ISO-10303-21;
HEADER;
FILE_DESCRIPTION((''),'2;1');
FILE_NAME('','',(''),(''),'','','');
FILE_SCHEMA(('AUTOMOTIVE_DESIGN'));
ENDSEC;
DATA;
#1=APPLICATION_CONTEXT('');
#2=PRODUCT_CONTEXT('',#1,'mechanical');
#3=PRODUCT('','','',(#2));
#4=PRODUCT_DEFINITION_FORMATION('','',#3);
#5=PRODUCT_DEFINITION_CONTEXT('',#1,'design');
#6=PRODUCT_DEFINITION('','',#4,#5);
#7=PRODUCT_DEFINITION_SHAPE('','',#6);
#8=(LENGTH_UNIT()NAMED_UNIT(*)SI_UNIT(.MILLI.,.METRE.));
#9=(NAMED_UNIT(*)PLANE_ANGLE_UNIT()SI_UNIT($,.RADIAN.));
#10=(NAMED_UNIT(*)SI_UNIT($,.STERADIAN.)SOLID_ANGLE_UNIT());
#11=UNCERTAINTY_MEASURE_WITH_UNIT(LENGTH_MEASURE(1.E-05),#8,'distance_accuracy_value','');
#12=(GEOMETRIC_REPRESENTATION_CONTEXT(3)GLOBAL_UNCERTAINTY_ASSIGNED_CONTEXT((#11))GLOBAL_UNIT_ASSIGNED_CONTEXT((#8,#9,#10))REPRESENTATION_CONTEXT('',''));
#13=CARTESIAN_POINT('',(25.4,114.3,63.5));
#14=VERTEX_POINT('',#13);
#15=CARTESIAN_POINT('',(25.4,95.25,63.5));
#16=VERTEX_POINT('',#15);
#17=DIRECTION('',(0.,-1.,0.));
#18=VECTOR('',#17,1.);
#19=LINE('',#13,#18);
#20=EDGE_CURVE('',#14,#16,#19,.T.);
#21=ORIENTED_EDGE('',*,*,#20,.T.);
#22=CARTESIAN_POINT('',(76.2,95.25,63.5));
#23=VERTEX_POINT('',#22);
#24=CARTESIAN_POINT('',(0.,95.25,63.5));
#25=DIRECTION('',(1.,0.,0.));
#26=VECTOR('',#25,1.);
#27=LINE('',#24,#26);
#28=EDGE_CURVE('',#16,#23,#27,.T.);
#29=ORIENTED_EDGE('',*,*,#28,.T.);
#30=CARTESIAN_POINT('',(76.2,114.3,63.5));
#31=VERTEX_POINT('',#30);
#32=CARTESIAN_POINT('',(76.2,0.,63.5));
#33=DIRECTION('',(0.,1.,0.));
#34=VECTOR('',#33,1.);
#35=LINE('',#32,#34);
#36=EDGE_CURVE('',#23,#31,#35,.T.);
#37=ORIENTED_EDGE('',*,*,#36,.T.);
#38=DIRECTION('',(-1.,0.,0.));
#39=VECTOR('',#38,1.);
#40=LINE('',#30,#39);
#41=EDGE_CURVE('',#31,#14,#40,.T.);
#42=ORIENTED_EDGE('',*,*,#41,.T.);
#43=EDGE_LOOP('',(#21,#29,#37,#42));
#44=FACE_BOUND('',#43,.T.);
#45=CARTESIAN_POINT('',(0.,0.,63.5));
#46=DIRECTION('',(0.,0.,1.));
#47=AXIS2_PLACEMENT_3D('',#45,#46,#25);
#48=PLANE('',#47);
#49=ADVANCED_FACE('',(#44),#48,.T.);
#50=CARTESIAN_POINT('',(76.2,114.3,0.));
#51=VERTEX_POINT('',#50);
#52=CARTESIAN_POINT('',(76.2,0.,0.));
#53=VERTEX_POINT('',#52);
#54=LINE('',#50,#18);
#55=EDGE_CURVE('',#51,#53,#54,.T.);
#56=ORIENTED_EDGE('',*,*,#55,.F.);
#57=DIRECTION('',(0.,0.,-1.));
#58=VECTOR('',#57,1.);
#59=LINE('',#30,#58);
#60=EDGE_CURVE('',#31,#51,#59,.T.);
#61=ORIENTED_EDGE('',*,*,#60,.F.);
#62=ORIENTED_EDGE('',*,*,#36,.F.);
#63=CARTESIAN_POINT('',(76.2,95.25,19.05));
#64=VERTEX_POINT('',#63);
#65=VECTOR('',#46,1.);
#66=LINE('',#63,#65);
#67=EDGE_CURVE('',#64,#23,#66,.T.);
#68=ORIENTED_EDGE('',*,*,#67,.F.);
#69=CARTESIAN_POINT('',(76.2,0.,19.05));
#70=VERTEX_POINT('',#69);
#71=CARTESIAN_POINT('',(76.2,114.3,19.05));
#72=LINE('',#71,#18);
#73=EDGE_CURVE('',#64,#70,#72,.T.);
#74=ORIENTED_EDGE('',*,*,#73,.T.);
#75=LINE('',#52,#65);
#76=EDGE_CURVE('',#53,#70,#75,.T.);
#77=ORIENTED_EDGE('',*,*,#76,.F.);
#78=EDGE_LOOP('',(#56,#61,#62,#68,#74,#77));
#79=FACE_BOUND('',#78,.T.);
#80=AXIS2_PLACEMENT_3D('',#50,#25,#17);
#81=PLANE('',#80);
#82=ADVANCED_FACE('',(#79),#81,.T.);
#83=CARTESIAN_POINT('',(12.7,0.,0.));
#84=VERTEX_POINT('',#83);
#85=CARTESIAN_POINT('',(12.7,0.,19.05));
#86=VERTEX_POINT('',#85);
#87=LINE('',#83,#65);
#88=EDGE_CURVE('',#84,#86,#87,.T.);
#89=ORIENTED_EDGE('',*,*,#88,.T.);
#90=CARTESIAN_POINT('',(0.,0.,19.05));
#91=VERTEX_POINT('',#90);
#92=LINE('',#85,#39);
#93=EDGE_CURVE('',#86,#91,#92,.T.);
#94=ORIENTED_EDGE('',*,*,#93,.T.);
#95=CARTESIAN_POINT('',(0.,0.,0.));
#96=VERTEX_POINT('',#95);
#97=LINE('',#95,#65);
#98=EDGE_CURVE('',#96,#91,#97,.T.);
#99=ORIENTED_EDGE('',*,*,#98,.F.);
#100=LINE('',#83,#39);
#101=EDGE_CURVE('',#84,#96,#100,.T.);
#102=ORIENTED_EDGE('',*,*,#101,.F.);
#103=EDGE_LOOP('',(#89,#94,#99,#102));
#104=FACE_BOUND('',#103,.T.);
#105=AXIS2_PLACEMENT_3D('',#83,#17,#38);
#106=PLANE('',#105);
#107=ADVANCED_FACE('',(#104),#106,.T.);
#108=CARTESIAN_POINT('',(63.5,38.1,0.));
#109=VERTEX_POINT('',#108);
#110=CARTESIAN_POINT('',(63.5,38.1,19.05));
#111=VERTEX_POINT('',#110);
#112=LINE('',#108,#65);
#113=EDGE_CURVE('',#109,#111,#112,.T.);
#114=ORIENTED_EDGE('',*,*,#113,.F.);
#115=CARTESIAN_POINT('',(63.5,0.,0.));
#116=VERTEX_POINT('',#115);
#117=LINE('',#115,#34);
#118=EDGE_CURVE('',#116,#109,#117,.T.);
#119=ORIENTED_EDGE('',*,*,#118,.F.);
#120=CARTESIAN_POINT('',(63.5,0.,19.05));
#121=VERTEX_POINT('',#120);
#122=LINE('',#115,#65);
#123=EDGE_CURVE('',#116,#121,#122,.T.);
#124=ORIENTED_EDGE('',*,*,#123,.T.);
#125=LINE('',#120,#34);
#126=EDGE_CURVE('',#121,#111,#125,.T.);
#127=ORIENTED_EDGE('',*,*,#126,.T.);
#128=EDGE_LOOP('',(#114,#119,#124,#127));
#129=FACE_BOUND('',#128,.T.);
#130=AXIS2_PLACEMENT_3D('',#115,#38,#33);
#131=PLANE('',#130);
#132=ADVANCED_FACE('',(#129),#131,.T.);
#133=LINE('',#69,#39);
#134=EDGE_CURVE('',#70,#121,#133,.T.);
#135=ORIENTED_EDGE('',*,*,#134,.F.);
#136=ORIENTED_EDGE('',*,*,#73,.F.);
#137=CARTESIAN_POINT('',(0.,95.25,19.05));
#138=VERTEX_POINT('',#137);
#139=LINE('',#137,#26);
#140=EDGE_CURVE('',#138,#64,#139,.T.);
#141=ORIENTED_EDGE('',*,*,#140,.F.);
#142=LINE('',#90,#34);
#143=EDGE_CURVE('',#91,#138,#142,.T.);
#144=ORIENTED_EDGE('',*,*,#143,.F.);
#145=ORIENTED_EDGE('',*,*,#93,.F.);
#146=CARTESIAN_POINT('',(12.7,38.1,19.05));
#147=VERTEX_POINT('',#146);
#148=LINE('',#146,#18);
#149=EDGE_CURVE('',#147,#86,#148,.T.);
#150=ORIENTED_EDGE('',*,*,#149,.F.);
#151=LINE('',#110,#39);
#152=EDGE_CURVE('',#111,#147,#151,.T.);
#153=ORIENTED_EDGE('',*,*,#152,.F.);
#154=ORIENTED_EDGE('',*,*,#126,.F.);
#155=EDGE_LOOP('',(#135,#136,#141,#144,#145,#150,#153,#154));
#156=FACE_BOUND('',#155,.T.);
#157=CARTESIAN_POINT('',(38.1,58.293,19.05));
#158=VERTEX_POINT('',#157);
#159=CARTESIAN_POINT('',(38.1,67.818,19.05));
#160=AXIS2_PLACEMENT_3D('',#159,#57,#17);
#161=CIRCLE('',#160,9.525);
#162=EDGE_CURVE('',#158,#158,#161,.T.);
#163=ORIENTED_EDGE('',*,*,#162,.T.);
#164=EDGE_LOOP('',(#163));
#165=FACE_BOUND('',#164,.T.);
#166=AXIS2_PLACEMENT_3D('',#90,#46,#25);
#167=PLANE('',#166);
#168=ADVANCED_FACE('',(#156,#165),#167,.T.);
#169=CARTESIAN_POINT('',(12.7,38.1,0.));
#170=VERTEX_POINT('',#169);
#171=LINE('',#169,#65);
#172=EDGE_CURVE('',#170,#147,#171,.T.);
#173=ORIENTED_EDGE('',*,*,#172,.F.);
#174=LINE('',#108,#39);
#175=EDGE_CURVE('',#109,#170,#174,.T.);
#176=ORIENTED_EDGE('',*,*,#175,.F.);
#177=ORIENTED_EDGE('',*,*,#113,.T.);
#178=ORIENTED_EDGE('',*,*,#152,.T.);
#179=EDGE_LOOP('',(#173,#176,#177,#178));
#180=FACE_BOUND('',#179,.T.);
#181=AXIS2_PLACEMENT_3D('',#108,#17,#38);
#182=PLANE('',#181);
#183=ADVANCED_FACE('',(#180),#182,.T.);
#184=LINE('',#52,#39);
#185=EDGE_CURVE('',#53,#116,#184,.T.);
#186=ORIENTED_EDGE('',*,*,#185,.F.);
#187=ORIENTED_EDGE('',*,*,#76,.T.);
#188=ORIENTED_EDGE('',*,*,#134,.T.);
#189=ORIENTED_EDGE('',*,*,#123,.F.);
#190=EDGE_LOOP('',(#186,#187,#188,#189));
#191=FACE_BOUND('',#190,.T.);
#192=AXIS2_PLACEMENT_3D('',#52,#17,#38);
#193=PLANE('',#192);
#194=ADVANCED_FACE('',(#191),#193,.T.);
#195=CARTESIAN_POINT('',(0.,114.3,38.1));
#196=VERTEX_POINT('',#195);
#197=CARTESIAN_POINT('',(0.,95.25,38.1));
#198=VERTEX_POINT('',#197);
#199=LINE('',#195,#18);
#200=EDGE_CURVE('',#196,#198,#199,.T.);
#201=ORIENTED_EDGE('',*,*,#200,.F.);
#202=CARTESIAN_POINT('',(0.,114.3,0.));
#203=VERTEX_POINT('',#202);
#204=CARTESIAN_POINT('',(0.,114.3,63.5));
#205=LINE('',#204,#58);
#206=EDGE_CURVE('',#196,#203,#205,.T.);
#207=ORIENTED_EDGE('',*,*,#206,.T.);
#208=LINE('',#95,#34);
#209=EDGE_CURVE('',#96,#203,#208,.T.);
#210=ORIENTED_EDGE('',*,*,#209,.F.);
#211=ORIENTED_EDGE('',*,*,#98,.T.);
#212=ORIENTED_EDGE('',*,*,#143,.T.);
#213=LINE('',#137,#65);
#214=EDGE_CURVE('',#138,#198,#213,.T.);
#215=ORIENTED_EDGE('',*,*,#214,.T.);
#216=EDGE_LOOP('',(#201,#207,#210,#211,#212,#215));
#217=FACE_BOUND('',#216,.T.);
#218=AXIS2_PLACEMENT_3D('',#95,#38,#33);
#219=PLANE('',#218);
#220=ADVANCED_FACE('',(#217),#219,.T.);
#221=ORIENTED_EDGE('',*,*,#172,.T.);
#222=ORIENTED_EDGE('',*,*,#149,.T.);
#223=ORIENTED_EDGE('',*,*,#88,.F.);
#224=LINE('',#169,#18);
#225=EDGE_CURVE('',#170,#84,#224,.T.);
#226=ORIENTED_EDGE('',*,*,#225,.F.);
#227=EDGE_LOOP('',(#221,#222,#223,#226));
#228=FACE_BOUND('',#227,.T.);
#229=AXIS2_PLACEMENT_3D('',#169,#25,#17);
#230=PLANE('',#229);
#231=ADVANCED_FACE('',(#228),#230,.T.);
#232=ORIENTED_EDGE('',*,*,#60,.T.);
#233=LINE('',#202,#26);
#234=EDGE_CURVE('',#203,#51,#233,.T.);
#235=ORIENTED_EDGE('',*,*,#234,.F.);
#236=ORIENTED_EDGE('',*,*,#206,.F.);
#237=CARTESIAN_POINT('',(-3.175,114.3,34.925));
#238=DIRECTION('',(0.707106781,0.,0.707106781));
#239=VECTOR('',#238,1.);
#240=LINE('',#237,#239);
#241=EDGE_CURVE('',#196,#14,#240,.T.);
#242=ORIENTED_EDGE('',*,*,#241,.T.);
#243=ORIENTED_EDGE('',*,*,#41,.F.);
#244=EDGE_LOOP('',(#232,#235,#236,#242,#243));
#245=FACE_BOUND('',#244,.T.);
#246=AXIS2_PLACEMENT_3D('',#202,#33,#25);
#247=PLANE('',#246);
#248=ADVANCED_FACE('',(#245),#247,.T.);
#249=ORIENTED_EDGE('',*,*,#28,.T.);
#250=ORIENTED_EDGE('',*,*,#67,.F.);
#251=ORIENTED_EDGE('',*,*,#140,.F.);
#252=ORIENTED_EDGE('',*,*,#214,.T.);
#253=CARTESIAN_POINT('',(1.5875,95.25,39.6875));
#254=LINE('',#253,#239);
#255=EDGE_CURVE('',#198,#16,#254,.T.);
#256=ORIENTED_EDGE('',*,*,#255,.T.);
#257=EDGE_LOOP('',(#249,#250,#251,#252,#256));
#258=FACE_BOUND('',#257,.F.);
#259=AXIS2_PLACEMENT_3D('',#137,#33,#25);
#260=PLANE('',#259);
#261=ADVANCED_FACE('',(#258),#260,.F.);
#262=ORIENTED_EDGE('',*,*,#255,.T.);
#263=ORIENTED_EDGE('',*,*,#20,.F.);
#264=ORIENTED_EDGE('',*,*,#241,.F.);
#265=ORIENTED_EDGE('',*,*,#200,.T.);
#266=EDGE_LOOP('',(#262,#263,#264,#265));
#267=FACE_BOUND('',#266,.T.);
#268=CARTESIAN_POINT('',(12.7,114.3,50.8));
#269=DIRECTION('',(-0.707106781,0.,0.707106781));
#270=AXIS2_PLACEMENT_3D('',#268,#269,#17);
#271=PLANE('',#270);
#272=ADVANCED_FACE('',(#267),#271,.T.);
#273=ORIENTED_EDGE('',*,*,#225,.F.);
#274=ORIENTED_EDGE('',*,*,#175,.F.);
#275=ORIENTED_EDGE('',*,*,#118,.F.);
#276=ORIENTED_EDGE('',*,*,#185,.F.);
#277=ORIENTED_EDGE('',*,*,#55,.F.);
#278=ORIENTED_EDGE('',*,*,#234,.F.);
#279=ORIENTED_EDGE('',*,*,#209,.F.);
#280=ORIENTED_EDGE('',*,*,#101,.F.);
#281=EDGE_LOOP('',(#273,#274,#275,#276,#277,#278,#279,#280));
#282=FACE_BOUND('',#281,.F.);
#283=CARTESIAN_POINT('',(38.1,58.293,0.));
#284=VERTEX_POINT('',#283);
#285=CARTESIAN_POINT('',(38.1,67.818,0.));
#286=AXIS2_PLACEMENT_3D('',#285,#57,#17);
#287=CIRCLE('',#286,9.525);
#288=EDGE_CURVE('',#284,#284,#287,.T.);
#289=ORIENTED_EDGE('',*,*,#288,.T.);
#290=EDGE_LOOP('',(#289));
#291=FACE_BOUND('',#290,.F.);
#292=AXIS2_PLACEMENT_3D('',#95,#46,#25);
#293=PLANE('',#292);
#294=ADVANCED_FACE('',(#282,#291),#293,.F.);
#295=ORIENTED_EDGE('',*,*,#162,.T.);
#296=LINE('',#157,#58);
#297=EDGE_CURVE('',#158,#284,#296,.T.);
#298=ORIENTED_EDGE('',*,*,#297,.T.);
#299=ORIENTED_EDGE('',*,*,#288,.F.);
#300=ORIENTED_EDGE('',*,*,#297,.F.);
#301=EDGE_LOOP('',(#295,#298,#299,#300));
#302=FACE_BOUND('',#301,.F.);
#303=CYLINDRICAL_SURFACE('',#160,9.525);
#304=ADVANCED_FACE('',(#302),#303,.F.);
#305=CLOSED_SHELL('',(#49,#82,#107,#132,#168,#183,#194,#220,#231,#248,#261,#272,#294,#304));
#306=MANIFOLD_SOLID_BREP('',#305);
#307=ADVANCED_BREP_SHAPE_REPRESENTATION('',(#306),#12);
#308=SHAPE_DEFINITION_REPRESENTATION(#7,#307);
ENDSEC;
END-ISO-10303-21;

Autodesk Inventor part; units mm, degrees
ref_plane "YZ Plane" through (0, 0, 0) normal (1, 0, 0) x (0, 1, 0)
ref_plane "XZ Plane" through (0, 0, 0) normal (0, 1, 0) x (-1, 0, 0)
ref_plane "XY Plane" through (0, 0, 0) normal (0, 0, 1) x (1, 0, 0)
sketch "Sketch1" plane through (0, 0, 0) normal (0, 0, 1) x (1, 0, 0)
  line L0 (0, 0) -> (0, 114.3)
  line L1 (0, 114.3) -> (76.2, 114.3)
  line L2 (76.2, 114.3) -> (76.2, 0)
  line L3 (76.2, 0) -> (63.5, 0)
  line L4 (63.5, 0) -> (63.5, 38.1)
  line L5 (63.5, 38.1) -> (12.7, 38.1)
  line L6 (12.7, 38.1) -> (12.7, 0)
  line L7 (12.7, 0) -> (0, 0)
  dimension "d0" = 114.3
  dimension "d1" = 76.2
  dimension "d2" = 12.7
  dimension "d3" = 38.1
  dimension "d4" = 50.8
extrude "Extrusion1" add sketch "Sketch1" along normal blind 19.05
sketch "Sketch2" plane through (0, 0, 19.05) normal (0, 0, 1) x (1, 0, 0)
  line L0 (0, 114.3) -> (0, 0) projected
  line L1 (0, 114.3) -> (0, 95.25)
  line L2 (0, 95.25) -> (76.2, 95.25)
  line L3 (76.2, 0) -> (76.2, 114.3) projected
  line L4 (76.2, 95.25) -> (76.2, 114.3)
  line L5 (76.2, 114.3) -> (0, 114.3) projected
  line L6 (0, 114.3) -> (76.2, 114.3)
  dimension "d7" = 19.05
extrude "Extrusion2" add sketch "Sketch2" along normal blind 44.45
chamfer "Chamfer1" distance 25.4 angle 45 1 edges at (0, 104.775, 63.5)
sketch "Sketch9" plane through (0, 0, 19.05) normal (0, 0, 1) x (1, 0, 0)
  circle A0 centre (38.1, 67.818) radius 9.525
  line L0 (63.5, 0) -> (76.2, 0) projected
  line L1 (0, 95.25) -> (0, 0) projected
  dimension "d15" = 19.05
  dimension "d16" = 67.818
  dimension "d17" = 38.1
hole "Hole1" at (38.1, 67.818, 19.05) direction (0, 0, -1) diameter 19.05 end through all
properties part number "Ch3 Part 4"
